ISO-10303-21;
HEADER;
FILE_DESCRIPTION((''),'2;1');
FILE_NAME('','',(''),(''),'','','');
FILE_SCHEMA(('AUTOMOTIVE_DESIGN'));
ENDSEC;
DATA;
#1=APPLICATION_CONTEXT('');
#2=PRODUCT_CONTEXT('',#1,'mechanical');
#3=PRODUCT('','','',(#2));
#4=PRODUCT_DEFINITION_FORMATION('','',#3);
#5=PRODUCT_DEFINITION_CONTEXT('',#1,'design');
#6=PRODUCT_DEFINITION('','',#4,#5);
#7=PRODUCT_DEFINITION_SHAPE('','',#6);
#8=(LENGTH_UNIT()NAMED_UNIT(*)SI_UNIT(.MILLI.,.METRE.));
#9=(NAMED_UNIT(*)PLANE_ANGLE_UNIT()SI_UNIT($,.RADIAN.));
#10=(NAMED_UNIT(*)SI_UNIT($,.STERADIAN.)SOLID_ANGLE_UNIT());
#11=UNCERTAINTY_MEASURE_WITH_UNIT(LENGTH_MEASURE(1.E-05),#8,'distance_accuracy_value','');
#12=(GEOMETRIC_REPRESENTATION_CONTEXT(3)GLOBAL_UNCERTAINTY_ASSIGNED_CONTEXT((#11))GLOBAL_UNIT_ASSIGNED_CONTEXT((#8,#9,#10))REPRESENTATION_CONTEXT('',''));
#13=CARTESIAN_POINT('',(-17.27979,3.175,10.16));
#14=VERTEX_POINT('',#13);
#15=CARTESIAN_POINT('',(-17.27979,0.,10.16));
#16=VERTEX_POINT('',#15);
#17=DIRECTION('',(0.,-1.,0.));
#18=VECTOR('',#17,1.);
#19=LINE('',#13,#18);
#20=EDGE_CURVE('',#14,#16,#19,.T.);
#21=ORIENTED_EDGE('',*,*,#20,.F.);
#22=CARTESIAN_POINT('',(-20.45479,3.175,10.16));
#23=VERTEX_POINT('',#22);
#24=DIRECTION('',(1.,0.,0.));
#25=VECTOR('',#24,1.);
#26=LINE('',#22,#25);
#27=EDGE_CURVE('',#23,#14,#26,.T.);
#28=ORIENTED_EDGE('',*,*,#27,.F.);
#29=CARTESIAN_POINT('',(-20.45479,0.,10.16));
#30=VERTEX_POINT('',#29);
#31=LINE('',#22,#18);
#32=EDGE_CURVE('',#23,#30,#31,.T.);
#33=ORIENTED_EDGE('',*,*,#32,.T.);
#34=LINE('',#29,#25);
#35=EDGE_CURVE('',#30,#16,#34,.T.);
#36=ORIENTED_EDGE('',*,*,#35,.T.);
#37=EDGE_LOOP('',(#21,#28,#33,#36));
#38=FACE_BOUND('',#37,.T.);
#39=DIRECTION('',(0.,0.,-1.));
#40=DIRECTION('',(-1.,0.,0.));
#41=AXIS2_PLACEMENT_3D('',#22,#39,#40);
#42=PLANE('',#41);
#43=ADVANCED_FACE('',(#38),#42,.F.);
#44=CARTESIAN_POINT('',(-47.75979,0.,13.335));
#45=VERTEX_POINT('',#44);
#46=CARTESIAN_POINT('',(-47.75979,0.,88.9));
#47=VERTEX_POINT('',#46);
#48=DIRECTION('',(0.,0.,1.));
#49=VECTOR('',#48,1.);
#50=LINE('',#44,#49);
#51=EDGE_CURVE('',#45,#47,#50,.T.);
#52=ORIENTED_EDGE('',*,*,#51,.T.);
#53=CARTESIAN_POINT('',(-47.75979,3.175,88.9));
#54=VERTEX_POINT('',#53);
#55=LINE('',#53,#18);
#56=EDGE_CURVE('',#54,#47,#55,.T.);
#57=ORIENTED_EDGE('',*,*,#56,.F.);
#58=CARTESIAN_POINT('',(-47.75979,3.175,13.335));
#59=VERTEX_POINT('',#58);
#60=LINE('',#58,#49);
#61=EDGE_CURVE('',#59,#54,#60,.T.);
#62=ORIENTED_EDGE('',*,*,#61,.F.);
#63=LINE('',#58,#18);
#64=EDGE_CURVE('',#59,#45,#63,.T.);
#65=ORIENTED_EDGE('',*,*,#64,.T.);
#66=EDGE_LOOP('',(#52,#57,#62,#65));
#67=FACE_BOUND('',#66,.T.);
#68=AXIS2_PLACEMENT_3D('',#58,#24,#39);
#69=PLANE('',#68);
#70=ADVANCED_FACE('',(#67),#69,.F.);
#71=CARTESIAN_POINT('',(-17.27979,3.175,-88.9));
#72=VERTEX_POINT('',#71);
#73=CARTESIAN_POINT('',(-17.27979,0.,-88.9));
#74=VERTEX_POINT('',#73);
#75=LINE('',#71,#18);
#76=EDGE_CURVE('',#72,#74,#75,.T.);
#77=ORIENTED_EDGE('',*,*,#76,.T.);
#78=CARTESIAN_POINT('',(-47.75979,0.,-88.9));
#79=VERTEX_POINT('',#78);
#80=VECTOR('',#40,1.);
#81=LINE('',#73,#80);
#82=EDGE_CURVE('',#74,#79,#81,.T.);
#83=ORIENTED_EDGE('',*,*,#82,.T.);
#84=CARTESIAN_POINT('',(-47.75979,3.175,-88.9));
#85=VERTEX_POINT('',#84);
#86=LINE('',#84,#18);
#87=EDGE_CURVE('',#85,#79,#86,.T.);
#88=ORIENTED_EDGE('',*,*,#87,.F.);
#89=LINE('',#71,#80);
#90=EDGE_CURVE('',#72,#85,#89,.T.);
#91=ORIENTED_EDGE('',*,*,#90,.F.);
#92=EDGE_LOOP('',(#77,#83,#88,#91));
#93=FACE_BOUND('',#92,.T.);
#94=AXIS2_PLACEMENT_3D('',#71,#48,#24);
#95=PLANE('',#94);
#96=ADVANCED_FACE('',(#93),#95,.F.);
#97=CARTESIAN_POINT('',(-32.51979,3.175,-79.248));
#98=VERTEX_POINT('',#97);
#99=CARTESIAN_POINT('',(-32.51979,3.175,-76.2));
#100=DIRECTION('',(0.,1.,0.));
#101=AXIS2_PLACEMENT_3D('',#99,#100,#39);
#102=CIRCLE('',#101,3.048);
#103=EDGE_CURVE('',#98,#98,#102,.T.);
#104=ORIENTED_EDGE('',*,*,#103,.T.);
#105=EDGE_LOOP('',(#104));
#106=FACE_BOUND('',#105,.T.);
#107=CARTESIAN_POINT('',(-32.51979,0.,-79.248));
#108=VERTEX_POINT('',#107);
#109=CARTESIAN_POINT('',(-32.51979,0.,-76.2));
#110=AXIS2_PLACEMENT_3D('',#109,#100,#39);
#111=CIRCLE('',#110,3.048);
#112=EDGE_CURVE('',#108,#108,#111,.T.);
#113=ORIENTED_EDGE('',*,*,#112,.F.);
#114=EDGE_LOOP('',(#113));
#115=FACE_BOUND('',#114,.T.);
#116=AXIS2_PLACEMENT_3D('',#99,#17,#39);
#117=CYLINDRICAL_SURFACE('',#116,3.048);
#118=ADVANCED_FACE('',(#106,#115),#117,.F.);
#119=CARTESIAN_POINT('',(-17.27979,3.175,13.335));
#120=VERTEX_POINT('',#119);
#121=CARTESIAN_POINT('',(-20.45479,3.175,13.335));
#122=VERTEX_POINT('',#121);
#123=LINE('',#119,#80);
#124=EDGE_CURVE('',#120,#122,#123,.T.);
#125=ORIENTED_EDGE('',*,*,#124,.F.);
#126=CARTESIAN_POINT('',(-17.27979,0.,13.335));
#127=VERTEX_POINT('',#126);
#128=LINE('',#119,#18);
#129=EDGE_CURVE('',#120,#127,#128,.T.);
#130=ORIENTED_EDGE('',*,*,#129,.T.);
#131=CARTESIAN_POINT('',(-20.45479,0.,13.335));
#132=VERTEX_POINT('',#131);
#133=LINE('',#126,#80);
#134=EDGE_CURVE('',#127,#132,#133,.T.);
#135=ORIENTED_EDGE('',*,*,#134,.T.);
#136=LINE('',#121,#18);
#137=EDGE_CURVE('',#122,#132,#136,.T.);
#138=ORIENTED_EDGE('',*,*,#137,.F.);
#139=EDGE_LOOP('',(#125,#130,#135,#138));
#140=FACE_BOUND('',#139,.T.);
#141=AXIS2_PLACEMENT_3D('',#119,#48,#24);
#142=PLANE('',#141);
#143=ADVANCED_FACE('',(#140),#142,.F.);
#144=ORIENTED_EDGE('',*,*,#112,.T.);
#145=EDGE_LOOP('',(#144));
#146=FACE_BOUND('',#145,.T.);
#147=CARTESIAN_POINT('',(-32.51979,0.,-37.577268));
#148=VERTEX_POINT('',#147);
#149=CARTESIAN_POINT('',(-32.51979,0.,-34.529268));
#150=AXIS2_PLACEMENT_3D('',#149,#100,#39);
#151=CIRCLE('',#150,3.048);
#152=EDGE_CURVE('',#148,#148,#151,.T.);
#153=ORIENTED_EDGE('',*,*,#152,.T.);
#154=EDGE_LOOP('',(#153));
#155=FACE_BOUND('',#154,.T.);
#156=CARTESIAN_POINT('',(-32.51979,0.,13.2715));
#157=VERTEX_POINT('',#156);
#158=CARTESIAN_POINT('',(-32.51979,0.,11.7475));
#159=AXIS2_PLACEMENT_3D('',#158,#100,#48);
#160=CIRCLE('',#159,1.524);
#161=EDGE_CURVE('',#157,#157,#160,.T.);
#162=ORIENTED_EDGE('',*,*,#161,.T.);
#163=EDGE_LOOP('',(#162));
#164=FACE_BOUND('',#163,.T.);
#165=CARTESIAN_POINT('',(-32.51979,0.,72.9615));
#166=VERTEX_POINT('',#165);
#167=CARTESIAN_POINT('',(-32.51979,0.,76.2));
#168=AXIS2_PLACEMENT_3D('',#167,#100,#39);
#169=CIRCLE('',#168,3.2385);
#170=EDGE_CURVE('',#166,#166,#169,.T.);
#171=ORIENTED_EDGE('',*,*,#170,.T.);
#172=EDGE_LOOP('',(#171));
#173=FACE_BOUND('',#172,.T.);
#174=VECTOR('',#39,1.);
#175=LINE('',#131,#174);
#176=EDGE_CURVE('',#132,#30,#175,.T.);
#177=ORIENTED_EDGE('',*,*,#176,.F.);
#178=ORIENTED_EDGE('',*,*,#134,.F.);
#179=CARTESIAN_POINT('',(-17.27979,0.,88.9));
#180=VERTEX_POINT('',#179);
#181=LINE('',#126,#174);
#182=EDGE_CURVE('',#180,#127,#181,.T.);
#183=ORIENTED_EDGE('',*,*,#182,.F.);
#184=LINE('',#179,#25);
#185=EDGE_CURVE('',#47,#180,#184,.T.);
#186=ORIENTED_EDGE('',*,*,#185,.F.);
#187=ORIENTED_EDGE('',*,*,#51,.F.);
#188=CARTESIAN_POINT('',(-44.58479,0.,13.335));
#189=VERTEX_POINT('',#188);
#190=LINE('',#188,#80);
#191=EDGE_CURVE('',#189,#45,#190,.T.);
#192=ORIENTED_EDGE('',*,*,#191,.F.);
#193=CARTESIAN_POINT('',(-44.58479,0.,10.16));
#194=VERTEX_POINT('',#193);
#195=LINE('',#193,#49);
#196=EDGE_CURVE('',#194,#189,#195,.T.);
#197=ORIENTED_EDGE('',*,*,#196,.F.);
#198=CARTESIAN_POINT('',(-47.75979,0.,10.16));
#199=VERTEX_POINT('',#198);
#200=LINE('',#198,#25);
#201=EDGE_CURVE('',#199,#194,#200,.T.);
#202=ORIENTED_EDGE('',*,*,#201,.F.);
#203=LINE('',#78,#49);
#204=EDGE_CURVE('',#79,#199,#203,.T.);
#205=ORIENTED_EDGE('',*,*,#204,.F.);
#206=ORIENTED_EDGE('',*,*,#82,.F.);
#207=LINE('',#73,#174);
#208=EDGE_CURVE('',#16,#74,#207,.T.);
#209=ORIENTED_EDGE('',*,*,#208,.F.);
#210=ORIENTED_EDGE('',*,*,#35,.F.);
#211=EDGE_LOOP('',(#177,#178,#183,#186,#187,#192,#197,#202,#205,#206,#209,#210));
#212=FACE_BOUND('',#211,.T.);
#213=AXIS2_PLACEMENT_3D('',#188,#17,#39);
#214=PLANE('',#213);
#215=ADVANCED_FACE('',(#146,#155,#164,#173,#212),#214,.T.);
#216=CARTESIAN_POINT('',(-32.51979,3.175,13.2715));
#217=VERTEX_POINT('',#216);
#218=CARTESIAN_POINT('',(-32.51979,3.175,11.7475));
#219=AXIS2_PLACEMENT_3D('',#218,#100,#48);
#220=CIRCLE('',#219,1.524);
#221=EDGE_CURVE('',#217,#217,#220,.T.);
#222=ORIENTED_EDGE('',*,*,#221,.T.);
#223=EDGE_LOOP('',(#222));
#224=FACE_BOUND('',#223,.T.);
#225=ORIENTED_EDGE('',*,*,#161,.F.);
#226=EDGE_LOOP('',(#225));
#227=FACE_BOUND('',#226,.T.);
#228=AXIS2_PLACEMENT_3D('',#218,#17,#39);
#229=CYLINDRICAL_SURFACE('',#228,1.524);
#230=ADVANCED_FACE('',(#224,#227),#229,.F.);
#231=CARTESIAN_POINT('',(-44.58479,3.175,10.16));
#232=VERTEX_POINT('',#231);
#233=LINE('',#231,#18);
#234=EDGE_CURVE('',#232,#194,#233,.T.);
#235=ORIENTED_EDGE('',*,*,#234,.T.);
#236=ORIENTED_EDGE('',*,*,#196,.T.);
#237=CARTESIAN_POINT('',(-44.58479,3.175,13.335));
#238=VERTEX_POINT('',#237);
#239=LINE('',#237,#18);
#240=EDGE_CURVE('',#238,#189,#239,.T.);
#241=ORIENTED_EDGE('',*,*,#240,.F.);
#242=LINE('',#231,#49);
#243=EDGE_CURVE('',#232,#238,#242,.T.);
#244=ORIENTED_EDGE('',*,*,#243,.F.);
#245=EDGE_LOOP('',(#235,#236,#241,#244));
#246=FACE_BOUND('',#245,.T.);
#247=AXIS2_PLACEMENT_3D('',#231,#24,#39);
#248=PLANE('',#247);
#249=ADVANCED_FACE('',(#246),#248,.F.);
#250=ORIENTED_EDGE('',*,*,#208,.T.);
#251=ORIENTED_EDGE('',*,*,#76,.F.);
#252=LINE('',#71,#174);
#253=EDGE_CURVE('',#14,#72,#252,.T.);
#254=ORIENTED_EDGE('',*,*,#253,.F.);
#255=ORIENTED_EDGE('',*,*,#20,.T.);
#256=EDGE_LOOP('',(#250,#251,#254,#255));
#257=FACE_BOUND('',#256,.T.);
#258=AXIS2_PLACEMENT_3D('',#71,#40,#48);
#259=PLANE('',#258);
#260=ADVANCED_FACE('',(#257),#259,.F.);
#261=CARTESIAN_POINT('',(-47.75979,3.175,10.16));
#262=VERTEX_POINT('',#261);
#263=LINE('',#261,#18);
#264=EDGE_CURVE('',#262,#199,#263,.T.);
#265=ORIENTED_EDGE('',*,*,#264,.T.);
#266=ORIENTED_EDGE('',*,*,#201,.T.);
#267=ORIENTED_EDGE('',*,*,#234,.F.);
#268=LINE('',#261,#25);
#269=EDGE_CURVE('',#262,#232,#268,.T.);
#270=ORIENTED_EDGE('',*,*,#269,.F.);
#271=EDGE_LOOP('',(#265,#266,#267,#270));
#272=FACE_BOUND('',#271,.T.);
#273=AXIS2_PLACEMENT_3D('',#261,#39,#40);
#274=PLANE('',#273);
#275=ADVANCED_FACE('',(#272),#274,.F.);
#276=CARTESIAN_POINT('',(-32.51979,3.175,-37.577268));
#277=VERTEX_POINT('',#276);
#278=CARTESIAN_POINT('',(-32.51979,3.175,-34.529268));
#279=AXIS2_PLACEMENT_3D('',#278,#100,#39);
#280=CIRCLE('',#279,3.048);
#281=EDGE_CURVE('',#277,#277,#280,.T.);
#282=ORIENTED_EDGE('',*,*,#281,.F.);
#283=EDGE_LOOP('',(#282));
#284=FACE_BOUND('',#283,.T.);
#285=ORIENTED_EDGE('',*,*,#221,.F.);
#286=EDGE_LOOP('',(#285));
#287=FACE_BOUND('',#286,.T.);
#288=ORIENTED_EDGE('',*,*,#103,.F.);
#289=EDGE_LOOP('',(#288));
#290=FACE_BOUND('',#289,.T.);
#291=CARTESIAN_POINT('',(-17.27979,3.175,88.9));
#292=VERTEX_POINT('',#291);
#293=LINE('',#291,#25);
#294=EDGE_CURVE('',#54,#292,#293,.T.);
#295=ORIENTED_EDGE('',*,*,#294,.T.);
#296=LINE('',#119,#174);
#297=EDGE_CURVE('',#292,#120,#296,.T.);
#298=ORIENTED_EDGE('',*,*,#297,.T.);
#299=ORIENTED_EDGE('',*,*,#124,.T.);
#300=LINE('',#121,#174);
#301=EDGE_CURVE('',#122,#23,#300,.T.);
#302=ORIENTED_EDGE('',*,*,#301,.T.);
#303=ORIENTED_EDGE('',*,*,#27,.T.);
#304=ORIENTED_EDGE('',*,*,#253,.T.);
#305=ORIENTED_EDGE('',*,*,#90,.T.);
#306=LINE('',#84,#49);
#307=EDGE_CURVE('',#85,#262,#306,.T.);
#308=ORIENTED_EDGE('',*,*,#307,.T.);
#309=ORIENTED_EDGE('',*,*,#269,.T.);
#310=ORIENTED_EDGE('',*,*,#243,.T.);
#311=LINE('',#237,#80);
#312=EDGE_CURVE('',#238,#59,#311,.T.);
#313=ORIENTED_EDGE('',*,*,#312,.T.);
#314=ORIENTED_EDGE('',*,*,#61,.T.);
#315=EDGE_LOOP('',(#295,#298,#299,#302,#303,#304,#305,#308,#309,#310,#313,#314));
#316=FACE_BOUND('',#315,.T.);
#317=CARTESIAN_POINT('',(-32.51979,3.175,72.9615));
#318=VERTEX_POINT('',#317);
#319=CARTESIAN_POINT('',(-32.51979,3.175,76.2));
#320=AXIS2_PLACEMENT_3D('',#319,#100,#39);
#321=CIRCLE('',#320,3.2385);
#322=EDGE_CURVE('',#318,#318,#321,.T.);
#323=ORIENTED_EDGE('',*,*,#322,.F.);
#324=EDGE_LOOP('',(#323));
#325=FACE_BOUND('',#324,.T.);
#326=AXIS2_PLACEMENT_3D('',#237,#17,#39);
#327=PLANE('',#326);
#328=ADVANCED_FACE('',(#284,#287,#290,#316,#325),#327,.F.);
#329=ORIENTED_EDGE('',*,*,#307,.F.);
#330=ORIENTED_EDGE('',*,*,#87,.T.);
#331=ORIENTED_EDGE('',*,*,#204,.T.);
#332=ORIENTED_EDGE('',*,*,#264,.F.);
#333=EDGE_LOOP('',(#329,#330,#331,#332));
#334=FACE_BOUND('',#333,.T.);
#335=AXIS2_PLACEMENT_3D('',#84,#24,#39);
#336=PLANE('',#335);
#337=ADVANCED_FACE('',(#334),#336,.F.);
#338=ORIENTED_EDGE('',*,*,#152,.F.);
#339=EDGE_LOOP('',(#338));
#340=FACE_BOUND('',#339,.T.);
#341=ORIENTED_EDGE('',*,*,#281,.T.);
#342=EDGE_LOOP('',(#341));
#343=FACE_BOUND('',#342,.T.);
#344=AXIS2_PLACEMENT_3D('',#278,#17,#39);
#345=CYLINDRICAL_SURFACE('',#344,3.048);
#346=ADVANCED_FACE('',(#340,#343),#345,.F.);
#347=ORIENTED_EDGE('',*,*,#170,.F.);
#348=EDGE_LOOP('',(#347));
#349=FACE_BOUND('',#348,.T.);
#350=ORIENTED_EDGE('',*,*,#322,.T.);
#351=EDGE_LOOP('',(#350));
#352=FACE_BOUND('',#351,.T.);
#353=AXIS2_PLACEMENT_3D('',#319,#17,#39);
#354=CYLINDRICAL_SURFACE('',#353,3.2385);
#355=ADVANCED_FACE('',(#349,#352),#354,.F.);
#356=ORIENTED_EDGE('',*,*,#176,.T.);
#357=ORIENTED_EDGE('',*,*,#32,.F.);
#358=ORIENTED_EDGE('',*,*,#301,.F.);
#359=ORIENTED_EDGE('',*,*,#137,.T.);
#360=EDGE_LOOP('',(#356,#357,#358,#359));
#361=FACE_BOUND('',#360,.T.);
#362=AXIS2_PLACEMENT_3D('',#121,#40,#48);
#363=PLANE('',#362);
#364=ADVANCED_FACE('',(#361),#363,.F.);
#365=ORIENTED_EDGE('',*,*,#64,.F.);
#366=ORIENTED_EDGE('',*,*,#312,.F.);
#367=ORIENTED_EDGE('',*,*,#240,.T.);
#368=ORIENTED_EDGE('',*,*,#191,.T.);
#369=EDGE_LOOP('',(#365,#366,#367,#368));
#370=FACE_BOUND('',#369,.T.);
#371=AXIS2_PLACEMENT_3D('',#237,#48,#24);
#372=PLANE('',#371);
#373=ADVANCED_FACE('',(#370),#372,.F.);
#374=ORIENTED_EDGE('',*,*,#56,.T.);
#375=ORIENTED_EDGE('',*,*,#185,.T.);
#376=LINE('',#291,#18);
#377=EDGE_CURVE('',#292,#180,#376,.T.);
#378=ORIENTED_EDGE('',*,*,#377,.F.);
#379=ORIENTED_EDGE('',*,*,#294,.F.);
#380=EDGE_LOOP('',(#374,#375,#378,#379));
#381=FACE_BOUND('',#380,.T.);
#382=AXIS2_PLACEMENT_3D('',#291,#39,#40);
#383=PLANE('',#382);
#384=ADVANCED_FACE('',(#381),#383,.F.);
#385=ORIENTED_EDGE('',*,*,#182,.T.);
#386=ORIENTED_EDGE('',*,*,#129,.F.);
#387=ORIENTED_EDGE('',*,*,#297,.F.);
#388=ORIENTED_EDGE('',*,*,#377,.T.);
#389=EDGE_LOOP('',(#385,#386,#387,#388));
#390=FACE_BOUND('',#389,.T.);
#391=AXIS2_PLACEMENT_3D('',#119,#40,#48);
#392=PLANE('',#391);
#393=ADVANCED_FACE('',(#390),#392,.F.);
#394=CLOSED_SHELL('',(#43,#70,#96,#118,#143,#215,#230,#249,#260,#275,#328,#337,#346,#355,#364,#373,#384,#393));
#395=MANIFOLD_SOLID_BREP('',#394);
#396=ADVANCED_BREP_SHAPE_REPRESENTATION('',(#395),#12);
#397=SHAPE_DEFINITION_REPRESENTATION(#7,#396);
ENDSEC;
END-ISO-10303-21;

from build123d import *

# Parameters (mm, degrees)
SKETCH1_R           = 1.524
SKETCH1_R_2         = 3.048
SKETCH1_R_3         = 3.2385
BOSS_EXTRUDE1_DEPTH = 3.175


with BuildPart() as part:
    # Sketch1 → Boss-Extrude1 (new body)
    with BuildSketch(Plane(origin=(0, 0, 0), x_dir=(1, 0, 0), z_dir=(0, 1, 0))):
        Polygon((-17.27979029, 88.9), (-17.27979029, -10.16), (-20.45479029, -10.16), (-20.45479029, -13.335), (-17.27979029, -13.335), (-17.27979029, -88.9), (-47.75979029, -88.9), (-47.75979029, -13.335), (-44.58479029, -13.335), (-44.58479029, -10.16), (-47.75979029, -10.16), (-47.75979029, 88.9), align=None)
        with Locations((-32.51979029, -11.7475)):
            Circle(SKETCH1_R, mode=Mode.SUBTRACT)
        with Locations((-32.51979029, 34.529268)):
            Circle(SKETCH1_R_2, mode=Mode.SUBTRACT)
        with Locations((-32.51979029, 76.2)):
            Circle(SKETCH1_R_2, mode=Mode.SUBTRACT)
        with Locations((-32.51979029, -76.2)):
            Circle(SKETCH1_R_3, mode=Mode.SUBTRACT)
    extrude(amount=BOSS_EXTRUDE1_DEPTH)


solid = part.part
